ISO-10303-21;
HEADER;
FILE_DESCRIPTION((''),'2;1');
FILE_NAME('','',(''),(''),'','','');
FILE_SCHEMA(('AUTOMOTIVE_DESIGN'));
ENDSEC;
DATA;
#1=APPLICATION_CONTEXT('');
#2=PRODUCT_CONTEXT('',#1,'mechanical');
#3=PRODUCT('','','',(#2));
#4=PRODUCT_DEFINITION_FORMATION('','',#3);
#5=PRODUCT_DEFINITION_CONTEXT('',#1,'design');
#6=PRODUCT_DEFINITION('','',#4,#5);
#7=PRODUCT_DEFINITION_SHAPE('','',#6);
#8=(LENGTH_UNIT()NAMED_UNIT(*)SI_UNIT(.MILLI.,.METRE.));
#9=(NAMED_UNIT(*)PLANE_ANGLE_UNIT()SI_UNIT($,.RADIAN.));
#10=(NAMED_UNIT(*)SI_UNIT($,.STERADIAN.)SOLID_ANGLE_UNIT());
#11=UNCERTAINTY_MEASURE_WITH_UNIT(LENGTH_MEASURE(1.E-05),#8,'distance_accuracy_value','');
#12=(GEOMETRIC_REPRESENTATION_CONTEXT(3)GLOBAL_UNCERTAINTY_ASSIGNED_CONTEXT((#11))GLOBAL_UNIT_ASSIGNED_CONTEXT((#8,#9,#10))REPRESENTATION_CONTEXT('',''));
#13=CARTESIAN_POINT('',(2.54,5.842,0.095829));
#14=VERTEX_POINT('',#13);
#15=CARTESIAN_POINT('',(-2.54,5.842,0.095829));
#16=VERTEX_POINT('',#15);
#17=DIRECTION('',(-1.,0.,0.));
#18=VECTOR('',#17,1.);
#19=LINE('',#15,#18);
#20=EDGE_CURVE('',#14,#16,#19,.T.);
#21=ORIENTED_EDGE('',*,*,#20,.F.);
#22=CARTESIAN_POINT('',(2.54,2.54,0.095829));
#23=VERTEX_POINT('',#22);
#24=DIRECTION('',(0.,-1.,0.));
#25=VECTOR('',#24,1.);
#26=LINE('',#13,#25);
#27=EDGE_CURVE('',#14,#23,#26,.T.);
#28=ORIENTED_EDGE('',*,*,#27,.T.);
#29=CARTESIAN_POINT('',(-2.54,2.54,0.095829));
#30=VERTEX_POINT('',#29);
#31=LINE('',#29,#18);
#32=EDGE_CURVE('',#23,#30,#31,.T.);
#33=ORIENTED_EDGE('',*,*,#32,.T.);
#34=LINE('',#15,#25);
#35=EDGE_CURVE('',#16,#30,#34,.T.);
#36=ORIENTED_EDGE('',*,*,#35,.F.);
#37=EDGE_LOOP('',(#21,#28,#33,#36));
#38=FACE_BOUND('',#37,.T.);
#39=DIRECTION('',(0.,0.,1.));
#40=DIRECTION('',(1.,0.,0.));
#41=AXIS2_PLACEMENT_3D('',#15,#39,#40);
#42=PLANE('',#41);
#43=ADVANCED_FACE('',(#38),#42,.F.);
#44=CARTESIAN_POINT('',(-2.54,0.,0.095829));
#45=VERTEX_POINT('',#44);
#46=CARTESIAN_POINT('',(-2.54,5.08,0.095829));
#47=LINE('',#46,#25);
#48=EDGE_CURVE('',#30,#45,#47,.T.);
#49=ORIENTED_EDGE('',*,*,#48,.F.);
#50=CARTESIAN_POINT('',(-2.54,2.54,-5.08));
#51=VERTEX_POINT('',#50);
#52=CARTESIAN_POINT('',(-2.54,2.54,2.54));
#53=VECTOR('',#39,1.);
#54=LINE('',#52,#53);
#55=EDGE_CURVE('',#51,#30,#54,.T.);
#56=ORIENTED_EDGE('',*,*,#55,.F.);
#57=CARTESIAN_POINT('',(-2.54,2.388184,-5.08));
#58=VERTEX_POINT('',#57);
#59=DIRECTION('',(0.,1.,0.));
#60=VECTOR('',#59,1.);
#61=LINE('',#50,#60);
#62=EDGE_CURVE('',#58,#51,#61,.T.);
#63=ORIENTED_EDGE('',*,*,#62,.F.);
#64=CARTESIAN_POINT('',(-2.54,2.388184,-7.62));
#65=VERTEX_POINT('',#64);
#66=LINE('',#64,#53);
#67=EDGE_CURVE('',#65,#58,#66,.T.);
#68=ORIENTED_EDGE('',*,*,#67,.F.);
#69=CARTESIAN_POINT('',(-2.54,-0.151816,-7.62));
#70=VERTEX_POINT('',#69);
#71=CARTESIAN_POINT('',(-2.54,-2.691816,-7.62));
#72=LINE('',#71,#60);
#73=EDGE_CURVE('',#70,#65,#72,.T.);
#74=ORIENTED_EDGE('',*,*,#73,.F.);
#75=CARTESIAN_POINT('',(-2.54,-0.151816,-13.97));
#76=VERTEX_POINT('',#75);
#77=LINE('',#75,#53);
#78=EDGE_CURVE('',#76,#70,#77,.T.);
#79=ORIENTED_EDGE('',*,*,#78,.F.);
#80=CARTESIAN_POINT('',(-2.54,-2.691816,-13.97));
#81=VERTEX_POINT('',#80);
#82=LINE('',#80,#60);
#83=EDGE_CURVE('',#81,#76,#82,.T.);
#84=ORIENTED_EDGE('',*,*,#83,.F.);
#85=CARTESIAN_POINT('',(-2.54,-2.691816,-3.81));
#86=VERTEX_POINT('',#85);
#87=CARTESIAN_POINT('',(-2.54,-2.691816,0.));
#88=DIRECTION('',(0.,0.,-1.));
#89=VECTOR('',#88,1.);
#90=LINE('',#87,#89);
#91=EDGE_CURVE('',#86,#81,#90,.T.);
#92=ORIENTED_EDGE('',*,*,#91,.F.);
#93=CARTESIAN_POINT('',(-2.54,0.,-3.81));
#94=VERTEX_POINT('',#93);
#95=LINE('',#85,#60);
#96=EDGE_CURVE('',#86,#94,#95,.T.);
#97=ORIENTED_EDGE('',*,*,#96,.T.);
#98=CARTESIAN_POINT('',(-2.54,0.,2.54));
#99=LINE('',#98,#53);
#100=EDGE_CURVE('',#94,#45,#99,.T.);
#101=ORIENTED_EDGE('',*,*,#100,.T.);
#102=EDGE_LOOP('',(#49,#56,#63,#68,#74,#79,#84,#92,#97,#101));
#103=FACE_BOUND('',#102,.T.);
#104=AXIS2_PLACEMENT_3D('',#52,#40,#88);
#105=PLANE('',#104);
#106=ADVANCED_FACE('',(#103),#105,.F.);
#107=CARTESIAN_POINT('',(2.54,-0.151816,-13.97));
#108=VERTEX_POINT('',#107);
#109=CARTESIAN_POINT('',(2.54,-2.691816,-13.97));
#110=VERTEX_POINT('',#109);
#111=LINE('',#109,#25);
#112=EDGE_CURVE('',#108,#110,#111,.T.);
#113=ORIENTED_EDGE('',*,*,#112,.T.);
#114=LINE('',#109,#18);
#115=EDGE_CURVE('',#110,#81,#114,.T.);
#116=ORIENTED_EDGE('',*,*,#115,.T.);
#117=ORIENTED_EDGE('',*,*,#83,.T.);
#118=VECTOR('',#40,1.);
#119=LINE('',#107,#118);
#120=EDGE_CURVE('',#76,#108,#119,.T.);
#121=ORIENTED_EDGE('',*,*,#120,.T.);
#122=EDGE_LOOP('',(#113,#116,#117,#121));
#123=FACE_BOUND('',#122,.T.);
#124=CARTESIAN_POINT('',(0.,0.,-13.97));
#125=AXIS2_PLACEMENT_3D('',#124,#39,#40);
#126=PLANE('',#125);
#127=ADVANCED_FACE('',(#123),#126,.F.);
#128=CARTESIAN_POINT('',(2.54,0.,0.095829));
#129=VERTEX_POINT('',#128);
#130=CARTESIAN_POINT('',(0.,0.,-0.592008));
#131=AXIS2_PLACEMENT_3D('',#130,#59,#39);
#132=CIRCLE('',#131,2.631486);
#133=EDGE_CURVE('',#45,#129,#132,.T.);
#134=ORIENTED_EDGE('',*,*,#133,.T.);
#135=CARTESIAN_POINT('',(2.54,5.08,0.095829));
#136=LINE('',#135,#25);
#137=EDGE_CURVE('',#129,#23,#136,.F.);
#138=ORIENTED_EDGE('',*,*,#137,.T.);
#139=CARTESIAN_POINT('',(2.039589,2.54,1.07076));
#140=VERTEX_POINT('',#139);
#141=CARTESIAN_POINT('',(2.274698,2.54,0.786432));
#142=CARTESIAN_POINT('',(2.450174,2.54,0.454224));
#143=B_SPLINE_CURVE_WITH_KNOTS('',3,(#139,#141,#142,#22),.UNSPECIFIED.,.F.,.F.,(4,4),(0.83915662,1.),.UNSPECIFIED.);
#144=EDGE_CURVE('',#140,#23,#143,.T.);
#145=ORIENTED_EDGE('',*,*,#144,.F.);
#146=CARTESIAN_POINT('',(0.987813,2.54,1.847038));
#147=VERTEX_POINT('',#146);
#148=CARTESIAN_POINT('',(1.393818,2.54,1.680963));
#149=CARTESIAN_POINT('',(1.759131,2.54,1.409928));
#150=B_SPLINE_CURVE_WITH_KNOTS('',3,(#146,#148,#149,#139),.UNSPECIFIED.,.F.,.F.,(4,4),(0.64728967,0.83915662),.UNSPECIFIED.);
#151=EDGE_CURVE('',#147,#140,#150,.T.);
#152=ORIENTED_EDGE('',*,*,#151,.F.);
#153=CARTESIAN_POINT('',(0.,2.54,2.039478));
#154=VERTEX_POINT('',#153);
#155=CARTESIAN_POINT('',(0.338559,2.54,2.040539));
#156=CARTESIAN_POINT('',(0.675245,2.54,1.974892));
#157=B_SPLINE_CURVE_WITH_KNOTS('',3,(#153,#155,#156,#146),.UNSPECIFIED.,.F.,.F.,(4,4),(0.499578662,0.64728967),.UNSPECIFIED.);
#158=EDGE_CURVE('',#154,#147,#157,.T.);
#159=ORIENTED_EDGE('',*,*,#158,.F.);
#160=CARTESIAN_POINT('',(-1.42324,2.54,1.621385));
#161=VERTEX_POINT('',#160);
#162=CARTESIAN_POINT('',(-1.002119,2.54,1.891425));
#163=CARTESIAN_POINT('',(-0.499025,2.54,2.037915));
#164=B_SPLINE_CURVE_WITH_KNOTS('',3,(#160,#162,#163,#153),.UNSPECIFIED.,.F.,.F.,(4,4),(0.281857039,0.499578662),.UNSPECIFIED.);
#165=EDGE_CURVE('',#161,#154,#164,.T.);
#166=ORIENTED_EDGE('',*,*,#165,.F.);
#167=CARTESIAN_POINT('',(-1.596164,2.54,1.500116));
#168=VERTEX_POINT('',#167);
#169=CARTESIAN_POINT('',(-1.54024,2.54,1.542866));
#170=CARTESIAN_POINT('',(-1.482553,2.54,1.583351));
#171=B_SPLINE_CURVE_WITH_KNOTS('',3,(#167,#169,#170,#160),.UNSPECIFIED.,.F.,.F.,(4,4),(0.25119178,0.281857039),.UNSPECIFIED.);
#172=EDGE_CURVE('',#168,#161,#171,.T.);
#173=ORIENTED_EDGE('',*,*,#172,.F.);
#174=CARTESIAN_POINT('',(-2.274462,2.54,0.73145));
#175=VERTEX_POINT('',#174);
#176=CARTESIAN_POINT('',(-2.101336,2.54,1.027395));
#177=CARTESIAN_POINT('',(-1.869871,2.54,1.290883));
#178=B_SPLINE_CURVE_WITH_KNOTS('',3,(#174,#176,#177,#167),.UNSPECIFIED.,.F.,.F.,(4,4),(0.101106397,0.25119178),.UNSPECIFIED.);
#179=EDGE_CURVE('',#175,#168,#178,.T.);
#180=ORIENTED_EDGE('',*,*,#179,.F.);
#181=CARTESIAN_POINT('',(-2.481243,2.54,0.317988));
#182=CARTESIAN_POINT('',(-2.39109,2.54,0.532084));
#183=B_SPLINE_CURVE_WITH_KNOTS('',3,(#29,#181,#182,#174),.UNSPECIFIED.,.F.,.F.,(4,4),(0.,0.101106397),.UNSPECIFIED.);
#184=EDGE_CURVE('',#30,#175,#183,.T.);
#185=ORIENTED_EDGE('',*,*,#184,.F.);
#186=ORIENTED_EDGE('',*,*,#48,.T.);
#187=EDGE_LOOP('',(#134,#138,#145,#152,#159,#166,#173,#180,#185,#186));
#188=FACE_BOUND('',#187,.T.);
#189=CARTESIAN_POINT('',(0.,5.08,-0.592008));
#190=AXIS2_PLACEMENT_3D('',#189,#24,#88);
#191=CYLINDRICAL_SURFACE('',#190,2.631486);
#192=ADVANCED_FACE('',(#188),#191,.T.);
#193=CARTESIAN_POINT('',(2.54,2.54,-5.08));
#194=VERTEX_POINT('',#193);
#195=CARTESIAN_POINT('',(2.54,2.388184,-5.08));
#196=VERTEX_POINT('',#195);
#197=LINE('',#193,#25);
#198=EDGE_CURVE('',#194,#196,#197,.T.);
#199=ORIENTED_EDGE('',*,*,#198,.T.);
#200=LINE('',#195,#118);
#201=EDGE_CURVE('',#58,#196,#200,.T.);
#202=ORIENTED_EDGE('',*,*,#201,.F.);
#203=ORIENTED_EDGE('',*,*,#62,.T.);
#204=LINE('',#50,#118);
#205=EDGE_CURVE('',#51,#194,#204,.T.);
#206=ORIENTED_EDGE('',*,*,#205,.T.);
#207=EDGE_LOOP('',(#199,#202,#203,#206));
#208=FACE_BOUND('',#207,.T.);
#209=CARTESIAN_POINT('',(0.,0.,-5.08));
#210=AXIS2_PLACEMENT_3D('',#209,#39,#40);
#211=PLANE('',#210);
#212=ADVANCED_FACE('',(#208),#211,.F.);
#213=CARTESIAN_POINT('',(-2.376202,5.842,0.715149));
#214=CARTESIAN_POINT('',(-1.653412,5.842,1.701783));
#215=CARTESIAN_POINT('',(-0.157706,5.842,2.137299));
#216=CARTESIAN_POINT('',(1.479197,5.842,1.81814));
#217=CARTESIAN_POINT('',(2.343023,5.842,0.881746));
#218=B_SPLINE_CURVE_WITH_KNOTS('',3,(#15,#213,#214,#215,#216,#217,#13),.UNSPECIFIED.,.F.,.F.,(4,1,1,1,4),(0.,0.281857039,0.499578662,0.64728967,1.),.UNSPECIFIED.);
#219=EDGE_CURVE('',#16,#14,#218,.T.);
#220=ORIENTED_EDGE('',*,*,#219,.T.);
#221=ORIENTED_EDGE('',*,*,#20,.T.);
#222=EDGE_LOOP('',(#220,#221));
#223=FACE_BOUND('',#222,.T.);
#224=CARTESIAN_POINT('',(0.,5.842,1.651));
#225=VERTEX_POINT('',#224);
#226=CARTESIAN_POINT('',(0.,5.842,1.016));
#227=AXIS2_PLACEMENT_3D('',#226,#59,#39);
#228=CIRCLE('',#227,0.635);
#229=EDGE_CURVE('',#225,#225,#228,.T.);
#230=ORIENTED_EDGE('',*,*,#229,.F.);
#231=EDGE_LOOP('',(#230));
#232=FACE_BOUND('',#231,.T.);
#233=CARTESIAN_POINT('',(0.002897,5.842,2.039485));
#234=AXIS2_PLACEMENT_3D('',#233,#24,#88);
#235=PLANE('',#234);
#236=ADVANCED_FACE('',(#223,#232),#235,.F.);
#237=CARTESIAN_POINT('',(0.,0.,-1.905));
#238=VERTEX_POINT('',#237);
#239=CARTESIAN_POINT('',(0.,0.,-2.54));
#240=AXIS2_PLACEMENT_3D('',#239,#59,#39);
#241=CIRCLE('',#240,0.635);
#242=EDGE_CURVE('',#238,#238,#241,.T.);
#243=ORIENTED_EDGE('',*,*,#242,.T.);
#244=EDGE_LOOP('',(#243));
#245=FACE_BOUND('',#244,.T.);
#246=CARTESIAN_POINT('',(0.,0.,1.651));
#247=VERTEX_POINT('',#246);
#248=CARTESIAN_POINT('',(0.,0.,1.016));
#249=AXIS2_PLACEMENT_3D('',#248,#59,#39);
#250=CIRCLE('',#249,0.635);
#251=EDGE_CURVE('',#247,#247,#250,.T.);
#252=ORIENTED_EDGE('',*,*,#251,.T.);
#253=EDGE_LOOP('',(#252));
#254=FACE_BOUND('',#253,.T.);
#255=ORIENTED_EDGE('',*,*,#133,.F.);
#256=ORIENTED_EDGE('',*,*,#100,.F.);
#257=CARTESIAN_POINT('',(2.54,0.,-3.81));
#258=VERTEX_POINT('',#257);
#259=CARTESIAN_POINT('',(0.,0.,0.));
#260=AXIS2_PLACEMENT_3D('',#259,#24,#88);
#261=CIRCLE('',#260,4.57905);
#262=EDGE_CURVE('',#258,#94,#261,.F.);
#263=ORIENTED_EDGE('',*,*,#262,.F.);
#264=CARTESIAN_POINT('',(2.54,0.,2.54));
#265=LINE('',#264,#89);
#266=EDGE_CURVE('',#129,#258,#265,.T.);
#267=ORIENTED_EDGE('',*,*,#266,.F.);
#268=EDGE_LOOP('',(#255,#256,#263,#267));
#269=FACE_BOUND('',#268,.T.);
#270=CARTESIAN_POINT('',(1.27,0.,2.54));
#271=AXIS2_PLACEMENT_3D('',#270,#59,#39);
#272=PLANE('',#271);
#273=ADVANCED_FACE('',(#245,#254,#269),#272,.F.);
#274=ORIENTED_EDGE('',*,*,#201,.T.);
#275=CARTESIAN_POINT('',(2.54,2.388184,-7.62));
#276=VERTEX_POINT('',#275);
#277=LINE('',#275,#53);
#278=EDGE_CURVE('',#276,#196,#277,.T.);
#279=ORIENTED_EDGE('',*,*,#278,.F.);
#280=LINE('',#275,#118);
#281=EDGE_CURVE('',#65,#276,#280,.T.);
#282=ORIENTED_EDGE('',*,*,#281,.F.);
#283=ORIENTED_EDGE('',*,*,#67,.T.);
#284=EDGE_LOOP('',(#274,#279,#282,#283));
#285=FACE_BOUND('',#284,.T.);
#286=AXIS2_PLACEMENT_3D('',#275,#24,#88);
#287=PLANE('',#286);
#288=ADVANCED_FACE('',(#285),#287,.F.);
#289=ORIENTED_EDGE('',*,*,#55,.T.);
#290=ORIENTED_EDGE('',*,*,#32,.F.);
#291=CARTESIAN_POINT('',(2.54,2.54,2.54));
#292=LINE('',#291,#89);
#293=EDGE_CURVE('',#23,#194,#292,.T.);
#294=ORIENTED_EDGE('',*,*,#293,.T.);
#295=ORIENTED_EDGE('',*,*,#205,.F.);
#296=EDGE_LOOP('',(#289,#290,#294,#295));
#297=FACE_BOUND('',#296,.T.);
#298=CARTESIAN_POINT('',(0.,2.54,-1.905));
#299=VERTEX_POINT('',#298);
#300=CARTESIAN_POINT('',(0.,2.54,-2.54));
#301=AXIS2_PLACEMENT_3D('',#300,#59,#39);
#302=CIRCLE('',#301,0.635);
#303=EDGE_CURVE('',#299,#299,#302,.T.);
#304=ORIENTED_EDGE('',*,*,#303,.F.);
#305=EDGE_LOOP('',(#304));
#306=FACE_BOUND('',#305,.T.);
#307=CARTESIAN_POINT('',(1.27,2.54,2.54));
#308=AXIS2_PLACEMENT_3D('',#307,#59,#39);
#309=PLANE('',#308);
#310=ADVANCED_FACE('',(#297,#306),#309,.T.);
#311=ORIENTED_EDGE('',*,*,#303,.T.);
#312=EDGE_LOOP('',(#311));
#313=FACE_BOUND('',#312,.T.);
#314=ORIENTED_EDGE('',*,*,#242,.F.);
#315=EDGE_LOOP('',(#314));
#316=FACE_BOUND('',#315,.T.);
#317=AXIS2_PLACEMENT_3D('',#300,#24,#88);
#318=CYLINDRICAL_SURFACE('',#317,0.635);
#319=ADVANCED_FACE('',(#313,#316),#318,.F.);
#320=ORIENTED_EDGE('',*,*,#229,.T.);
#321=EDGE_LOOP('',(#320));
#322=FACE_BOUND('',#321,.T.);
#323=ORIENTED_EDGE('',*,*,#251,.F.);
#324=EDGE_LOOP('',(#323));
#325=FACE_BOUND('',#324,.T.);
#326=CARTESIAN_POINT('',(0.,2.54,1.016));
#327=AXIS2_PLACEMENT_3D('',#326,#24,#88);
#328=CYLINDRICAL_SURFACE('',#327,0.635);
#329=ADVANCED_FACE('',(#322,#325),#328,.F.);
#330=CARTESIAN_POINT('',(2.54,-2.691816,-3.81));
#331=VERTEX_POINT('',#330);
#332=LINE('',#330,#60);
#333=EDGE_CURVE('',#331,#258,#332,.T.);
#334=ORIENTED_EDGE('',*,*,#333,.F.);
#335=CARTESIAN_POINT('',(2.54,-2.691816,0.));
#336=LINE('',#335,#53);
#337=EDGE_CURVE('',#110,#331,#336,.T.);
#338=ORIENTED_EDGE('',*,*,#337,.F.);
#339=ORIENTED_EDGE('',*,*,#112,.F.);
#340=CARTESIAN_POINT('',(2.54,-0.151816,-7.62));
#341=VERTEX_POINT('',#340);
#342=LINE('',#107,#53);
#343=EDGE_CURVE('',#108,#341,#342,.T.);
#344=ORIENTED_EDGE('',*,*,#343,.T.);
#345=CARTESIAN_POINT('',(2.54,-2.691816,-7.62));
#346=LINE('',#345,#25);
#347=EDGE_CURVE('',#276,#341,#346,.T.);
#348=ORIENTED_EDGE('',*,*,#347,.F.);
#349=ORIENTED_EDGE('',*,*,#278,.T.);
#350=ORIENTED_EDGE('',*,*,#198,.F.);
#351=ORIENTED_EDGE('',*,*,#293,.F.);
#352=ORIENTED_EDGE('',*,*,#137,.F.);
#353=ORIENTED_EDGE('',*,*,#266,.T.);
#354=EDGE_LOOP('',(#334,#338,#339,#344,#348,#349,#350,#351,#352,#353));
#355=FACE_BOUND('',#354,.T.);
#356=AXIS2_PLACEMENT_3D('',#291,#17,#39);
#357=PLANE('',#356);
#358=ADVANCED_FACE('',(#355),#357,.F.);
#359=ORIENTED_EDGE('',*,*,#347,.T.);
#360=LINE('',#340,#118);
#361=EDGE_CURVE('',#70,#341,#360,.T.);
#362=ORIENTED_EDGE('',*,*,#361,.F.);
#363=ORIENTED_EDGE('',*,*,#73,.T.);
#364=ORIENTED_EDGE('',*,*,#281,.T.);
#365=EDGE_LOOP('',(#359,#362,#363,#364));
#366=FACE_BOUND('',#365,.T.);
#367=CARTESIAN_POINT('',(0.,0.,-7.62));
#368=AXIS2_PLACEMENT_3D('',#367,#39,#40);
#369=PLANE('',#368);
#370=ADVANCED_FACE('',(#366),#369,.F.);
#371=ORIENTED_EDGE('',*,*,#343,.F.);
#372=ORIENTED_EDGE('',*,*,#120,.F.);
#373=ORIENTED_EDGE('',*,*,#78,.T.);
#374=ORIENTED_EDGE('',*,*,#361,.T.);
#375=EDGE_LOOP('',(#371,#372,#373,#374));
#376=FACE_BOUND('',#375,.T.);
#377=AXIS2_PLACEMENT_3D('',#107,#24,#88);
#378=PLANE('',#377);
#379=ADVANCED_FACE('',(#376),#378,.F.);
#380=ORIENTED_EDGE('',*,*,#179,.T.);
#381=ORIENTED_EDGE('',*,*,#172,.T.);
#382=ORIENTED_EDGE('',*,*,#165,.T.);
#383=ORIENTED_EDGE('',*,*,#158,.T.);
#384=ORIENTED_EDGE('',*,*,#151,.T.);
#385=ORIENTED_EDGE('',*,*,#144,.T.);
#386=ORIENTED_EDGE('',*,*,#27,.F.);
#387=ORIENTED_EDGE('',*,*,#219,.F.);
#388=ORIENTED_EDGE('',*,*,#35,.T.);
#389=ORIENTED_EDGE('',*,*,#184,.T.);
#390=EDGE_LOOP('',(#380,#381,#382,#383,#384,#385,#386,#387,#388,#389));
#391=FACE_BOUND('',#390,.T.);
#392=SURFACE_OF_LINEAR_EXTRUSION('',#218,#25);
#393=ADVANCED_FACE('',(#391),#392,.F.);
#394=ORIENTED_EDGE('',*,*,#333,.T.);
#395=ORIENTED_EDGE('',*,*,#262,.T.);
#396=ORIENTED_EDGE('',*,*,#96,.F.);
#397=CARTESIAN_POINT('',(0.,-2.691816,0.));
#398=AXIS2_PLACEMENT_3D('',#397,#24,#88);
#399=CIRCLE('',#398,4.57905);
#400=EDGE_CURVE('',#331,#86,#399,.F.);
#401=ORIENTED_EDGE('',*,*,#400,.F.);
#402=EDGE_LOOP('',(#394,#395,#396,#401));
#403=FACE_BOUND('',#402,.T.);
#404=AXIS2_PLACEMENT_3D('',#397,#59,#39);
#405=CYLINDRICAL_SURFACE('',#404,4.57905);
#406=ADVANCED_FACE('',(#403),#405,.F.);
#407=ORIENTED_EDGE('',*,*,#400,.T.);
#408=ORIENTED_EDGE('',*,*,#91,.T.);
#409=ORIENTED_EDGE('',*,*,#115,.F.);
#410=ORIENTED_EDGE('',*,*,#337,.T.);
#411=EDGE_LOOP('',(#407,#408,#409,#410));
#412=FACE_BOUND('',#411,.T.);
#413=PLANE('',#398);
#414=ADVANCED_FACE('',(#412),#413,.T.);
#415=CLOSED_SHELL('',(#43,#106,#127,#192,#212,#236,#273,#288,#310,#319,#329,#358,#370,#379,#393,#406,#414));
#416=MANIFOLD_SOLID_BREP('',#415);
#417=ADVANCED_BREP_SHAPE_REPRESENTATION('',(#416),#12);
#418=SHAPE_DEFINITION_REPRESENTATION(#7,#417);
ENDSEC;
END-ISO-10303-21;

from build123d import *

# Parameters (mm, degrees)
SKETCH1_R               = 0.635
BOSS_EXTRUDE1_DEPTH     = 2.54
CUT_EXTRUDE1_DEPTH      = 2.54
CUT_EXTRUDE1_DEPTH_BACK = 5.08
SKETCH4_R               = 0.635
BOSS_EXTRUDE2_DEPTH     = 3.302
SKETCH5_W               = 5.08
SKETCH5_H               = 2.54
BOSS_EXTRUDE3_DEPTH     = 1.27
BOSS_EXTRUDE4_DEPTH     = 2.691815502
SKETCH7_W               = 5.08
SKETCH7_H               = 5.08
BOSS_EXTRUDE6_DEPTH     = 2.54
SKETCH8_W               = 5.08
SKETCH8_H               = 2.54
BOSS_EXTRUDE7_DEPTH     = 6.35


with BuildPart() as part:
    # Sketch1 → Boss-Extrude1 (new body)
    with BuildSketch(Plane(origin=(0, 0, 0), x_dir=(1, 0, 0), z_dir=(0, 1, 0))):
        with BuildLine():
            Line((1.27, -3.81), (-1.27, -3.81))
            ThreePointArc((-1.27, -3.81), (-2.168025612, -3.438025612), (-2.54, -2.54))
            Line((-2.54, -2.54), (-2.54, 3.81))
            Line((-2.54, 3.81), (2.54, 3.81))
            Line((2.54, 3.81), (2.54, -2.54))
            ThreePointArc((2.54, -2.54), (2.168025612, -3.438025612), (1.27, -3.81))
        make_face()
        with Locations(Location((0, 2.54, 0), (0, 0, 270))):
            Circle(SKETCH1_R, mode=Mode.SUBTRACT)
        with Locations(Location((0, -1.016, 0), (0, 0, 270))):
            Circle(SKETCH1_R, mode=Mode.SUBTRACT)
    extrude(amount=BOSS_EXTRUDE1_DEPTH)

    # Sketch3 → Cut-Extrude1 (cut, two sides)
    with BuildSketch(Plane(origin=(0, 2.54, 0), x_dir=(1, 0, 0), z_dir=(0, 1, 0))) as cut_extrude1_sk:
        with BuildLine():
            Line((-2.54, -0.095828679), (-2.694274157, -4.645461949))
            Line((-2.694274157, -4.645461949), (2.54, -5.194052166))
            Line((2.54, -5.194052166), (2.54, -0.095828679))
            ThreePointArc((2.54, -0.095828679), (0, -2.039478025), (-2.54, -0.095828679))
        make_face()
    extrude(amount=CUT_EXTRUDE1_DEPTH, mode=Mode.SUBTRACT)
    extrude(cut_extrude1_sk.sketch, amount=-CUT_EXTRUDE1_DEPTH_BACK, mode=Mode.SUBTRACT)

    # Sketch4 → Boss-Extrude2 (add)
    with BuildSketch(Plane(origin=(0, 2.54, 0), x_dir=(1, 0, 0), z_dir=(0, 1, 0))):
        with BuildLine():
            Line((-2.54, -0.095828679), (2.54, -0.095828679))
            add(Edge.make_bspline(
                [(-2.54, -0.095828679), (-2.376202283, -0.715149279), (-1.653412381, -1.701782701), (-0.15770648, -2.137299213), (1.479197277, -1.818139784), (2.343023282, -0.881746046), (2.54, -0.095828679)],
                knots=[0, 0, 0, 0, 0.281857039, 0.499578662, 0.64728967, 1, 1, 1, 1], degree=3))
        make_face()
        with Locations(Location((0, -1.016, 0), (0, 0, 270))):
            Circle(SKETCH4_R, mode=Mode.SUBTRACT)
    extrude(amount=BOSS_EXTRUDE2_DEPTH)

    # Sketch5 → Boss-Extrude3 (add)
    with BuildSketch(Plane(origin=(0, 0, -3.81), x_dir=(-1, 0, 0), z_dir=(0, 0, -1))):
        with Locations((0, 1.27)):
            Rectangle(SKETCH5_W, SKETCH5_H)
    extrude(amount=BOSS_EXTRUDE3_DEPTH)

    # Sketch6 → Boss-Extrude4 (add)
    with BuildSketch(Plane(origin=(0, 0, 0), x_dir=(-1, 0, 0), z_dir=(0, -1, 0))):
        with BuildLine():
            Line((-2.54, 5.08), (-2.54, 3.81))
            ThreePointArc((-2.54, 3.81), (0, 4.57905012), (2.54, 3.81))
            Line((2.54, 3.81), (2.54, 5.08))
            Line((2.54, 5.08), (-2.54, 5.08))
        make_face()
    extrude(amount=BOSS_EXTRUDE4_DEPTH)

    # Sketch7 → Boss-Extrude6 (add)
    with BuildSketch(Plane(origin=(0, 0, -5.08), x_dir=(-1, 0, 0), z_dir=(0, 0, -1))):
        with Locations((0, -0.151815502)):
            Rectangle(SKETCH7_W, SKETCH7_H)
    extrude(amount=BOSS_EXTRUDE6_DEPTH)

    # Sketch8 → Boss-Extrude7 (add)
    with BuildSketch(Plane(origin=(0, 0, -7.62), x_dir=(-1, 0, 0), z_dir=(0, 0, -1))):
        with Locations((0, -1.421815502)):
            Rectangle(SKETCH8_W, SKETCH8_H)
    extrude(amount=BOSS_EXTRUDE7_DEPTH)


solid = part.part
